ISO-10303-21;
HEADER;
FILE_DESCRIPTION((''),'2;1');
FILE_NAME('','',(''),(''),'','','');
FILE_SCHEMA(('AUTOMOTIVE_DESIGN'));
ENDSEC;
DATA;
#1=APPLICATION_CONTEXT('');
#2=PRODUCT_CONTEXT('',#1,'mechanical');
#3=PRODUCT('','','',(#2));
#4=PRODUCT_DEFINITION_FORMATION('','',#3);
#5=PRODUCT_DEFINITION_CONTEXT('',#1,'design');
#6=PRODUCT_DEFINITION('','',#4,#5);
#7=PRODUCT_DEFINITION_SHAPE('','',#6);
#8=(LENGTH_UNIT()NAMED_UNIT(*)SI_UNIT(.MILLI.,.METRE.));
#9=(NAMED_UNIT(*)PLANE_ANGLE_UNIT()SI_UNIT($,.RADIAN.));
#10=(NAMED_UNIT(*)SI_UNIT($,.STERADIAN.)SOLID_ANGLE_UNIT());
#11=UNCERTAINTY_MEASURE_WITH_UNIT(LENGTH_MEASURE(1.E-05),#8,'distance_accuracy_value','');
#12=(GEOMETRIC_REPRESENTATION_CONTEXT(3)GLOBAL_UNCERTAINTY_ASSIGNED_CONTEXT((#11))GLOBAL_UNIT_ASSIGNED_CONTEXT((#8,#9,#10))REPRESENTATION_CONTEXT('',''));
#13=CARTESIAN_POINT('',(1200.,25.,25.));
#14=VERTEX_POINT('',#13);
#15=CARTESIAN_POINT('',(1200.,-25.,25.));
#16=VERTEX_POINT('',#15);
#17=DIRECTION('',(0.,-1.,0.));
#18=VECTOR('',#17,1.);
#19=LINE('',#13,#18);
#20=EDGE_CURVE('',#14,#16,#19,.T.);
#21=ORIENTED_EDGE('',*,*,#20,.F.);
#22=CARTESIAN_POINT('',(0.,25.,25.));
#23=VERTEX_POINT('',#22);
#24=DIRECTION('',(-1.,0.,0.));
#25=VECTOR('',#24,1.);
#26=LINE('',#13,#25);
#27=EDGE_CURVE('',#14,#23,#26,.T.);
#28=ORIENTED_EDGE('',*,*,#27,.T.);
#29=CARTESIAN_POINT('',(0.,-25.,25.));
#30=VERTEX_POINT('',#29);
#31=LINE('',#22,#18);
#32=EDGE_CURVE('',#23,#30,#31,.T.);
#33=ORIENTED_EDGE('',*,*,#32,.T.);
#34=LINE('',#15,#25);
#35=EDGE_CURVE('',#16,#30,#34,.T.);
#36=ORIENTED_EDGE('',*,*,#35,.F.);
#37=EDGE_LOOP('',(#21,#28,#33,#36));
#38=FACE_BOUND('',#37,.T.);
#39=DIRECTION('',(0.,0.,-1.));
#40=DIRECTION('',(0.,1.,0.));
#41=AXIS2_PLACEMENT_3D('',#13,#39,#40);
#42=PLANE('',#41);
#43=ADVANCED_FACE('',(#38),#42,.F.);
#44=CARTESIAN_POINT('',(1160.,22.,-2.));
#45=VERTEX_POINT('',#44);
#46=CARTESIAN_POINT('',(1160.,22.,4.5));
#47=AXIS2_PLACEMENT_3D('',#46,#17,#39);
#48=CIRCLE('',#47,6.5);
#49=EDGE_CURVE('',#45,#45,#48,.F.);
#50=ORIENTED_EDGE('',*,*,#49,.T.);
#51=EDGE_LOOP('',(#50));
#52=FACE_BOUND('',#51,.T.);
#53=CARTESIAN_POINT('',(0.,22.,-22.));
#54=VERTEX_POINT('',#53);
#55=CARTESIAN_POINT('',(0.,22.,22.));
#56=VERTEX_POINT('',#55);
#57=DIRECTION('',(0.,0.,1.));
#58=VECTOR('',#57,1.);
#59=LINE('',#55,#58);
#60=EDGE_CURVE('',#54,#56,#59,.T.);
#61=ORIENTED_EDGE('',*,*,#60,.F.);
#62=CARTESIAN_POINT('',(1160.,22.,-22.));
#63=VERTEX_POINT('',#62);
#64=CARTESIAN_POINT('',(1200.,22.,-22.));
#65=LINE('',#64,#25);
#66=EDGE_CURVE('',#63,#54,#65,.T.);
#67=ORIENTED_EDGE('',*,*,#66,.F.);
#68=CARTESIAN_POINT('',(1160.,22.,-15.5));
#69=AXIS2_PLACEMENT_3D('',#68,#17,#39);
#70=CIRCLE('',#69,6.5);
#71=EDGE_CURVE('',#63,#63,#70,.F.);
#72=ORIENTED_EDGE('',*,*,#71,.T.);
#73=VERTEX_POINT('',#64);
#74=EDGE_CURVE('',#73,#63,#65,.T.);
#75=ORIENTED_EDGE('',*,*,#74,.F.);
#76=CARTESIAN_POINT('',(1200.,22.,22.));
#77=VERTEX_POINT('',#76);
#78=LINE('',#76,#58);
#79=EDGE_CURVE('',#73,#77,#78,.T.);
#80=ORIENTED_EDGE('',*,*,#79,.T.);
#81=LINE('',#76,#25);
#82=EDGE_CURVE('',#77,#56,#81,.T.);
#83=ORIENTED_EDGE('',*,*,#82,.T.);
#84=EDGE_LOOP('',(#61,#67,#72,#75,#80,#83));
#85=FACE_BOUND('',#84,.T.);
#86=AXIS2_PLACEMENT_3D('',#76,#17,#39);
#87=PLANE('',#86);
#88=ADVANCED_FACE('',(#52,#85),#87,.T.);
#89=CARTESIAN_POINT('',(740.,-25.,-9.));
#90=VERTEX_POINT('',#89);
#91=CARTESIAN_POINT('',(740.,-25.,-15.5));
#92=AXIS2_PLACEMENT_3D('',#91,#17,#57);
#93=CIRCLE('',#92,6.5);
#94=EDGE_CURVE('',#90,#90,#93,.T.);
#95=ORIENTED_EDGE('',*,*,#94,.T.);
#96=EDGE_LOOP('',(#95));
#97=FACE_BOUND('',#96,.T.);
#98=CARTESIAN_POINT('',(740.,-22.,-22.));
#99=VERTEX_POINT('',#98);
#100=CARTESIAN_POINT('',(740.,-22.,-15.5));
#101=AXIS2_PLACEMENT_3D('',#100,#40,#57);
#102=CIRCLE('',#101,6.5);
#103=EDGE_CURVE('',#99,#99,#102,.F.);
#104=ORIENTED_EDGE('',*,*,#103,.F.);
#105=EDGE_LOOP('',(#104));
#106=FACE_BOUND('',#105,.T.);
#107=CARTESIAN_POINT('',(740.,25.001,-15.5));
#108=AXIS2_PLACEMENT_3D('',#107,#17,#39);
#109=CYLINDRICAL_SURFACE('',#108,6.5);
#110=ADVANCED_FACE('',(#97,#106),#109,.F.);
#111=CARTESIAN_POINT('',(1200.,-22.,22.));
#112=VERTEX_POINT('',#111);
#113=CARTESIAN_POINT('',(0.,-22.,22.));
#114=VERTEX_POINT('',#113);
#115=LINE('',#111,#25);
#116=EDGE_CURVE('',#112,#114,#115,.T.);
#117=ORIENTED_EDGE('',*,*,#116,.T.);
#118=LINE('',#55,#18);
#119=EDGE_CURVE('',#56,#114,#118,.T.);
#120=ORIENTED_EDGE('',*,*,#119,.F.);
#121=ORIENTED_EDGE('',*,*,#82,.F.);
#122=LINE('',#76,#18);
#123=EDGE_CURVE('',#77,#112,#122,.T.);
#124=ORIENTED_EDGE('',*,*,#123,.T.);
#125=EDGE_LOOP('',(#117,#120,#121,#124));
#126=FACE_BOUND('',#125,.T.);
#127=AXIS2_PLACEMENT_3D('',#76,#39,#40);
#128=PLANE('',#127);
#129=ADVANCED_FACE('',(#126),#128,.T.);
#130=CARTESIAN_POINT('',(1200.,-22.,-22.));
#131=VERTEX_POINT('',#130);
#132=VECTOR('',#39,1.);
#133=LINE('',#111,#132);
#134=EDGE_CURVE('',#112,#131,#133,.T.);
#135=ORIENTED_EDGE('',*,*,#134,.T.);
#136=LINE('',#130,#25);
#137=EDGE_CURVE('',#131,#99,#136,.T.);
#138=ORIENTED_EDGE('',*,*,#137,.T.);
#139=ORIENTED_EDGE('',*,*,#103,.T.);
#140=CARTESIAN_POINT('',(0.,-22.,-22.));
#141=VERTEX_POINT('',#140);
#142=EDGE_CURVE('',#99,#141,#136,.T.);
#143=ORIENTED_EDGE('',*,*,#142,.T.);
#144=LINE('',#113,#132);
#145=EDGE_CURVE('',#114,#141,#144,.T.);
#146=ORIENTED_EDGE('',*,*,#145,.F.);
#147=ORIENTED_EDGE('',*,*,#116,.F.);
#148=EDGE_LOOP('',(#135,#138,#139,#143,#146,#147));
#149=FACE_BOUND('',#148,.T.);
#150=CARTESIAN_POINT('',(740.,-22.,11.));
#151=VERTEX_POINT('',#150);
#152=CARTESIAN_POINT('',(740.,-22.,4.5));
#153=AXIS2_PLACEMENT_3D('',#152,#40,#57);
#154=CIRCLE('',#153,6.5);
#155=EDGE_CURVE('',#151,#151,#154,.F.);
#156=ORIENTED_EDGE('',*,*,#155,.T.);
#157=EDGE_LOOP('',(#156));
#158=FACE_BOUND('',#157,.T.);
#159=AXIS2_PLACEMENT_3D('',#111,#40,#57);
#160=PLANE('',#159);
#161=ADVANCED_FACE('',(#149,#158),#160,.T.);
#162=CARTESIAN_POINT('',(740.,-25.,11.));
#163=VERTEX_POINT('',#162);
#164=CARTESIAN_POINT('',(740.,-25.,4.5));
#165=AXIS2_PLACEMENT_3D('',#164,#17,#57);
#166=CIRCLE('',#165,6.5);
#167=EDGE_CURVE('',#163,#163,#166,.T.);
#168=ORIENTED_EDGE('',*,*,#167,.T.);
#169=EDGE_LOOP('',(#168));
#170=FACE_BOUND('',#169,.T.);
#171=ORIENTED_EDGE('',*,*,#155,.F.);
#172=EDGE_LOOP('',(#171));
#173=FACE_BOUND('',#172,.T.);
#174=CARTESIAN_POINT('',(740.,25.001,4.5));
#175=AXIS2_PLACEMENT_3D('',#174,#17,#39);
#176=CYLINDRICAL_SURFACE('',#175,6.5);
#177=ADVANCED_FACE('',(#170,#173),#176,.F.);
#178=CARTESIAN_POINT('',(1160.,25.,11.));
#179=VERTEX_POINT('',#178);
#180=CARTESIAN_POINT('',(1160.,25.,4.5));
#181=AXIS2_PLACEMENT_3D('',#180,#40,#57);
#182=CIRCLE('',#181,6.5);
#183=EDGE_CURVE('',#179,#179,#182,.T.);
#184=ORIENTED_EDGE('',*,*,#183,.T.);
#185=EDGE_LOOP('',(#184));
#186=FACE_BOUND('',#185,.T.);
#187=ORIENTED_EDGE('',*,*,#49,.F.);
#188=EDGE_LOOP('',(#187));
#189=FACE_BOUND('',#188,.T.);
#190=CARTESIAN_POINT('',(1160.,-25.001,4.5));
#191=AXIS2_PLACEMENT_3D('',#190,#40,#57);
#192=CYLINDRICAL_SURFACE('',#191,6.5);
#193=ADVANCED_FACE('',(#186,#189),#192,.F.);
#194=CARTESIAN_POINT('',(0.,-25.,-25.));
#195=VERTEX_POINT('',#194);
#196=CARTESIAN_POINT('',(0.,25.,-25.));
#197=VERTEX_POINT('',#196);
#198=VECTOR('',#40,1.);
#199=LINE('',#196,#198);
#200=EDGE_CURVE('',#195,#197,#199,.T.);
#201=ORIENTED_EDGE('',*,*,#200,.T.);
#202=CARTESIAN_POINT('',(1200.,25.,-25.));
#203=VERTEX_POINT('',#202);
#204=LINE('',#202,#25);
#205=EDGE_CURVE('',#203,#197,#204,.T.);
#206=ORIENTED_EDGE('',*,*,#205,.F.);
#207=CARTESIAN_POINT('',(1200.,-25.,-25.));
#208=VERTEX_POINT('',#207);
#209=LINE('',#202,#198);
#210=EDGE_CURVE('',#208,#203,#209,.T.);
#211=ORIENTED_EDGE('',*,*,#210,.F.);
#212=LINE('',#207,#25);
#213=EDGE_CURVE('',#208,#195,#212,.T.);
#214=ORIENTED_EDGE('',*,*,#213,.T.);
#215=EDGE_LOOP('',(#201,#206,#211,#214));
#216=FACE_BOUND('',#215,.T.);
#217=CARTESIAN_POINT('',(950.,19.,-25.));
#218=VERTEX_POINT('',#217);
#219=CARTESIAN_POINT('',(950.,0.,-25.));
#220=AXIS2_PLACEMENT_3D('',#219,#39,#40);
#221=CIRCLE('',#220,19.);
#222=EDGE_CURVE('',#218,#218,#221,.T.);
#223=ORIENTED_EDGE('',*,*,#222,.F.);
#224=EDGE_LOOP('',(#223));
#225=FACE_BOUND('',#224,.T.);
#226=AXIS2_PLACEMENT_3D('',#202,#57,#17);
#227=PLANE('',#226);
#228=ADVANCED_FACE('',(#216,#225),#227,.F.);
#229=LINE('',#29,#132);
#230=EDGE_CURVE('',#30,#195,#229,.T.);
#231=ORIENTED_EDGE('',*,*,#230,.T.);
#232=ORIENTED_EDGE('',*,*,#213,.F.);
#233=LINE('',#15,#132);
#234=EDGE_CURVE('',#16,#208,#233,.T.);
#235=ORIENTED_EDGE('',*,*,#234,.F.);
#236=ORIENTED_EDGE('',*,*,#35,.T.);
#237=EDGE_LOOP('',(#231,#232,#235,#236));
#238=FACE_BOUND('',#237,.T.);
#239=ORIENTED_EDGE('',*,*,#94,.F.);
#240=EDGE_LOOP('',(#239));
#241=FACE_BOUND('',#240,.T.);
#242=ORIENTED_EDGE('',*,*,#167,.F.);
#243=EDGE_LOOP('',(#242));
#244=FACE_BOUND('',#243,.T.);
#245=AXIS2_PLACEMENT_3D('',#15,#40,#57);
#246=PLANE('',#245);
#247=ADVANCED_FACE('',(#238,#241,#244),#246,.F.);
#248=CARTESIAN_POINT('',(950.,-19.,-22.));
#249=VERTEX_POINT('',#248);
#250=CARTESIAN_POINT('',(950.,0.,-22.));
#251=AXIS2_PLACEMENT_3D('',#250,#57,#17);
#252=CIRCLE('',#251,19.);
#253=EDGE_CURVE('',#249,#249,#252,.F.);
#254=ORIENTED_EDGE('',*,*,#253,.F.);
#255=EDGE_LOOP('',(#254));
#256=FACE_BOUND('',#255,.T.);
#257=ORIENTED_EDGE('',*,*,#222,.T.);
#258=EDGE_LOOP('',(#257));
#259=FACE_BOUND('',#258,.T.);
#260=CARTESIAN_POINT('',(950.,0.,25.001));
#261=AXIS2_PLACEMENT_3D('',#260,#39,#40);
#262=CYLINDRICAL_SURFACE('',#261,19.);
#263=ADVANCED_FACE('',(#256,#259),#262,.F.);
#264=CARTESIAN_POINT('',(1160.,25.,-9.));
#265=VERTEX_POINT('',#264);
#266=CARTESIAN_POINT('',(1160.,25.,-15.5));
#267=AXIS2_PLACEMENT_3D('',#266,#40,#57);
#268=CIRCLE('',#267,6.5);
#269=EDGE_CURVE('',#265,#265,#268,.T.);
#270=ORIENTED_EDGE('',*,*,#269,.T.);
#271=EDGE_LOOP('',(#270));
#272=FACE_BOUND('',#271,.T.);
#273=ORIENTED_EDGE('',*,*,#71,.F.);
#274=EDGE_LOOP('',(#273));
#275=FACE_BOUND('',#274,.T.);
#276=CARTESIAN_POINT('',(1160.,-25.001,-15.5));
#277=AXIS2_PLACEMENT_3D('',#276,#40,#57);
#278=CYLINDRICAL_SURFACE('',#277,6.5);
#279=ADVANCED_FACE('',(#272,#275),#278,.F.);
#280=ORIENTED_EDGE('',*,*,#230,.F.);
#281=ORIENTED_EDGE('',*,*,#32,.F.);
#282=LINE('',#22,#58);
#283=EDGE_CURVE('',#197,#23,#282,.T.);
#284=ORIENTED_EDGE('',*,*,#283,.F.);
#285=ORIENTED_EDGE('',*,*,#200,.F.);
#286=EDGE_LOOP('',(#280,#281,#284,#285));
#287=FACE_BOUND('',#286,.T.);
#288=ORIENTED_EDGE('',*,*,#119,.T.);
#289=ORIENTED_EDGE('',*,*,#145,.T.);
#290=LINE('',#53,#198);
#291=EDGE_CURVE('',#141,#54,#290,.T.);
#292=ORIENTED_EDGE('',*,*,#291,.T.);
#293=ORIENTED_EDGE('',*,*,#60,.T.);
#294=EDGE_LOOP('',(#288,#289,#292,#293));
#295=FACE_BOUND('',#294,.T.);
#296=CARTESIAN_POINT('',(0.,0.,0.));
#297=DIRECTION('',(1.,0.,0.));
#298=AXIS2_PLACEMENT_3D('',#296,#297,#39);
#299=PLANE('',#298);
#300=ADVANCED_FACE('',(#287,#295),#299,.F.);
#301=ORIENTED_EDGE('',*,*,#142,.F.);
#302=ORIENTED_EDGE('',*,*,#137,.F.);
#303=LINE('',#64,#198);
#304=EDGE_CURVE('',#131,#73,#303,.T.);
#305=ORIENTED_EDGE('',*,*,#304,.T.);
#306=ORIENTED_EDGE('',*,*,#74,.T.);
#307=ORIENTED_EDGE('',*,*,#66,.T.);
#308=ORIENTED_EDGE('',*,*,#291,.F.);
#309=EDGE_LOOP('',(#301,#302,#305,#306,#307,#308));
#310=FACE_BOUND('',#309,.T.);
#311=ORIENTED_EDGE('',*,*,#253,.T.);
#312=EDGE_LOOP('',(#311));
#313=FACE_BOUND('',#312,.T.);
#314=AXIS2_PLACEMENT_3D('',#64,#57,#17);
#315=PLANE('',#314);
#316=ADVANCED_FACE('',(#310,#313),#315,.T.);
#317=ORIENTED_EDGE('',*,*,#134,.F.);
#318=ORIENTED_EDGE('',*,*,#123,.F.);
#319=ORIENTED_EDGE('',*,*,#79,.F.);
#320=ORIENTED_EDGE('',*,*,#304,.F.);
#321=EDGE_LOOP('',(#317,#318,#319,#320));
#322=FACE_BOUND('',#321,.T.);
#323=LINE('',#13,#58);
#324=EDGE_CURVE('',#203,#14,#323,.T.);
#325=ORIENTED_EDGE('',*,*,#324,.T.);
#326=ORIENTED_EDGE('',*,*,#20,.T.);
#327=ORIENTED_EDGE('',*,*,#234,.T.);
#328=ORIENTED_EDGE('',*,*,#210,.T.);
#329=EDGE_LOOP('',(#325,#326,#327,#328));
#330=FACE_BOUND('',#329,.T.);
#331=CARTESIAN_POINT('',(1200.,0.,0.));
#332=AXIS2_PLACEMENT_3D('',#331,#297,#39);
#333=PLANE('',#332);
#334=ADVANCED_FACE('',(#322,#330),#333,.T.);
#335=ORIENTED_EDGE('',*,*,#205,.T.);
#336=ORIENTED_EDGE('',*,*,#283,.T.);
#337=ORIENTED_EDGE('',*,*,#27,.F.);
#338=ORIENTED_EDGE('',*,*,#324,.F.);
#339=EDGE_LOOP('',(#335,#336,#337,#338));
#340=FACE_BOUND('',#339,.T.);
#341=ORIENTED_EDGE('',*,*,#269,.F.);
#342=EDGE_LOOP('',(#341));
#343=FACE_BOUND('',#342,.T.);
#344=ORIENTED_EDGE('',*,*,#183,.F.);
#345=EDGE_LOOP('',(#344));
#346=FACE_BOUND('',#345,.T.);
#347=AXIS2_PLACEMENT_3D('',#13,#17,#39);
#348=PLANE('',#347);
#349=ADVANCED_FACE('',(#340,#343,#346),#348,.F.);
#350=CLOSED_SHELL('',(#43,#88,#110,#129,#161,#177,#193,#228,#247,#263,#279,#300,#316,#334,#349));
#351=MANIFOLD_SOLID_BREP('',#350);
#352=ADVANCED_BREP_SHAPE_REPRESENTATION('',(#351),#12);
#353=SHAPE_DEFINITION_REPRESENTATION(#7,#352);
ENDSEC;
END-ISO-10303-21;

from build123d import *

# Parameters (mm, degrees)
SKETCH1_W           = 50
SKETCH1_H           = 50
SKETCH1_W_2         = 44
SKETCH1_H_2         = 44
BOSS_EXTRUDE1_DEPTH = 1200
CUT_EXTRUDE1_REACH  = 1203.301
SKETCH2_R           = 19
CUT_EXTRUDE2_REACH  = 1203.301
SKETCH3_R           = 6.5
CIRPATTERN1_COUNT   = 2


with BuildPart() as part:
    # Sketch1 → Boss-Extrude1 (new body)
    with BuildSketch(Plane(origin=(0, 0, 0), x_dir=(0, 0, -1), z_dir=(1, 0, 0))):
        Rectangle(SKETCH1_W, SKETCH1_H)
        Rectangle(SKETCH1_W_2, SKETCH1_H_2, mode=Mode.SUBTRACT)
    extrude(amount=BOSS_EXTRUDE1_DEPTH)

    # Sketch2 → Cut-Extrude1 (cut, up to next)
    with BuildSketch(Plane(origin=(0, 0, -25), x_dir=(-1, 0, 0), z_dir=(0, 0, -1)), mode=Mode.PRIVATE) as cut_extrude1_sk1:
        with Locations(Location((-950, 0, 0), (0, 0, 90))):
            Circle(SKETCH2_R)
    cut_extrude1_tool1 = extrude(cut_extrude1_sk1.sketch, amount=-CUT_EXTRUDE1_REACH, mode=Mode.PRIVATE) & part.part
    add(cut_extrude1_tool1.solids().sort_by_distance((950, 0, -25))[0], mode=Mode.SUBTRACT)

    # Sketch3 → Cut-Extrude2 (cut, up to next)
    with BuildSketch(Plane(origin=(0, 25, 0), x_dir=(1, 0, 0), z_dir=(0, 1, 0)), mode=Mode.PRIVATE) as cut_extrude2_sk1:
        with Locations(Location((1160, -4.5, 0), (0, 0, 270))):
            Circle(SKETCH3_R)
    cut_extrude2_tool1 = extrude(cut_extrude2_sk1.sketch, amount=-CUT_EXTRUDE2_REACH, mode=Mode.PRIVATE) & part.part
    # Sketch3 → Cut-Extrude2 (cut, up to next)
    with BuildSketch(Plane(origin=(0, 25, 0), x_dir=(1, 0, 0), z_dir=(0, 1, 0)), mode=Mode.PRIVATE) as cut_extrude2_sk2:
        with Locations(Location((1160, 15.5, 0), (0, 0, 270))):
            Circle(SKETCH3_R)
    cut_extrude2_tool2 = extrude(cut_extrude2_sk2.sketch, amount=-CUT_EXTRUDE2_REACH, mode=Mode.PRIVATE) & part.part
    cut_extrude2_1 = cut_extrude2_tool1.solids().sort_by_distance((1160, 25, 4.5))[0]
    add(cut_extrude2_1, mode=Mode.SUBTRACT)
    cut_extrude2_2 = cut_extrude2_tool2.solids().sort_by_distance((1160, 25, -15.5))[0]
    add(cut_extrude2_2, mode=Mode.SUBTRACT)
    cut_extrude2 = cut_extrude2_1 + cut_extrude2_2  # Cut-Extrude2 as one shape, for the pattern or mirror that repeats it

    # CirPattern1: Cut-Extrude2 ×2 about axis
    cirpattern1_axis = Axis((950, 0, 25.001), (0, 0, -1))
    for i in range(1, CIRPATTERN1_COUNT):
        add(cut_extrude2.rotate(cirpattern1_axis, i * 360 / CIRPATTERN1_COUNT), mode=Mode.SUBTRACT)


solid = part.part
